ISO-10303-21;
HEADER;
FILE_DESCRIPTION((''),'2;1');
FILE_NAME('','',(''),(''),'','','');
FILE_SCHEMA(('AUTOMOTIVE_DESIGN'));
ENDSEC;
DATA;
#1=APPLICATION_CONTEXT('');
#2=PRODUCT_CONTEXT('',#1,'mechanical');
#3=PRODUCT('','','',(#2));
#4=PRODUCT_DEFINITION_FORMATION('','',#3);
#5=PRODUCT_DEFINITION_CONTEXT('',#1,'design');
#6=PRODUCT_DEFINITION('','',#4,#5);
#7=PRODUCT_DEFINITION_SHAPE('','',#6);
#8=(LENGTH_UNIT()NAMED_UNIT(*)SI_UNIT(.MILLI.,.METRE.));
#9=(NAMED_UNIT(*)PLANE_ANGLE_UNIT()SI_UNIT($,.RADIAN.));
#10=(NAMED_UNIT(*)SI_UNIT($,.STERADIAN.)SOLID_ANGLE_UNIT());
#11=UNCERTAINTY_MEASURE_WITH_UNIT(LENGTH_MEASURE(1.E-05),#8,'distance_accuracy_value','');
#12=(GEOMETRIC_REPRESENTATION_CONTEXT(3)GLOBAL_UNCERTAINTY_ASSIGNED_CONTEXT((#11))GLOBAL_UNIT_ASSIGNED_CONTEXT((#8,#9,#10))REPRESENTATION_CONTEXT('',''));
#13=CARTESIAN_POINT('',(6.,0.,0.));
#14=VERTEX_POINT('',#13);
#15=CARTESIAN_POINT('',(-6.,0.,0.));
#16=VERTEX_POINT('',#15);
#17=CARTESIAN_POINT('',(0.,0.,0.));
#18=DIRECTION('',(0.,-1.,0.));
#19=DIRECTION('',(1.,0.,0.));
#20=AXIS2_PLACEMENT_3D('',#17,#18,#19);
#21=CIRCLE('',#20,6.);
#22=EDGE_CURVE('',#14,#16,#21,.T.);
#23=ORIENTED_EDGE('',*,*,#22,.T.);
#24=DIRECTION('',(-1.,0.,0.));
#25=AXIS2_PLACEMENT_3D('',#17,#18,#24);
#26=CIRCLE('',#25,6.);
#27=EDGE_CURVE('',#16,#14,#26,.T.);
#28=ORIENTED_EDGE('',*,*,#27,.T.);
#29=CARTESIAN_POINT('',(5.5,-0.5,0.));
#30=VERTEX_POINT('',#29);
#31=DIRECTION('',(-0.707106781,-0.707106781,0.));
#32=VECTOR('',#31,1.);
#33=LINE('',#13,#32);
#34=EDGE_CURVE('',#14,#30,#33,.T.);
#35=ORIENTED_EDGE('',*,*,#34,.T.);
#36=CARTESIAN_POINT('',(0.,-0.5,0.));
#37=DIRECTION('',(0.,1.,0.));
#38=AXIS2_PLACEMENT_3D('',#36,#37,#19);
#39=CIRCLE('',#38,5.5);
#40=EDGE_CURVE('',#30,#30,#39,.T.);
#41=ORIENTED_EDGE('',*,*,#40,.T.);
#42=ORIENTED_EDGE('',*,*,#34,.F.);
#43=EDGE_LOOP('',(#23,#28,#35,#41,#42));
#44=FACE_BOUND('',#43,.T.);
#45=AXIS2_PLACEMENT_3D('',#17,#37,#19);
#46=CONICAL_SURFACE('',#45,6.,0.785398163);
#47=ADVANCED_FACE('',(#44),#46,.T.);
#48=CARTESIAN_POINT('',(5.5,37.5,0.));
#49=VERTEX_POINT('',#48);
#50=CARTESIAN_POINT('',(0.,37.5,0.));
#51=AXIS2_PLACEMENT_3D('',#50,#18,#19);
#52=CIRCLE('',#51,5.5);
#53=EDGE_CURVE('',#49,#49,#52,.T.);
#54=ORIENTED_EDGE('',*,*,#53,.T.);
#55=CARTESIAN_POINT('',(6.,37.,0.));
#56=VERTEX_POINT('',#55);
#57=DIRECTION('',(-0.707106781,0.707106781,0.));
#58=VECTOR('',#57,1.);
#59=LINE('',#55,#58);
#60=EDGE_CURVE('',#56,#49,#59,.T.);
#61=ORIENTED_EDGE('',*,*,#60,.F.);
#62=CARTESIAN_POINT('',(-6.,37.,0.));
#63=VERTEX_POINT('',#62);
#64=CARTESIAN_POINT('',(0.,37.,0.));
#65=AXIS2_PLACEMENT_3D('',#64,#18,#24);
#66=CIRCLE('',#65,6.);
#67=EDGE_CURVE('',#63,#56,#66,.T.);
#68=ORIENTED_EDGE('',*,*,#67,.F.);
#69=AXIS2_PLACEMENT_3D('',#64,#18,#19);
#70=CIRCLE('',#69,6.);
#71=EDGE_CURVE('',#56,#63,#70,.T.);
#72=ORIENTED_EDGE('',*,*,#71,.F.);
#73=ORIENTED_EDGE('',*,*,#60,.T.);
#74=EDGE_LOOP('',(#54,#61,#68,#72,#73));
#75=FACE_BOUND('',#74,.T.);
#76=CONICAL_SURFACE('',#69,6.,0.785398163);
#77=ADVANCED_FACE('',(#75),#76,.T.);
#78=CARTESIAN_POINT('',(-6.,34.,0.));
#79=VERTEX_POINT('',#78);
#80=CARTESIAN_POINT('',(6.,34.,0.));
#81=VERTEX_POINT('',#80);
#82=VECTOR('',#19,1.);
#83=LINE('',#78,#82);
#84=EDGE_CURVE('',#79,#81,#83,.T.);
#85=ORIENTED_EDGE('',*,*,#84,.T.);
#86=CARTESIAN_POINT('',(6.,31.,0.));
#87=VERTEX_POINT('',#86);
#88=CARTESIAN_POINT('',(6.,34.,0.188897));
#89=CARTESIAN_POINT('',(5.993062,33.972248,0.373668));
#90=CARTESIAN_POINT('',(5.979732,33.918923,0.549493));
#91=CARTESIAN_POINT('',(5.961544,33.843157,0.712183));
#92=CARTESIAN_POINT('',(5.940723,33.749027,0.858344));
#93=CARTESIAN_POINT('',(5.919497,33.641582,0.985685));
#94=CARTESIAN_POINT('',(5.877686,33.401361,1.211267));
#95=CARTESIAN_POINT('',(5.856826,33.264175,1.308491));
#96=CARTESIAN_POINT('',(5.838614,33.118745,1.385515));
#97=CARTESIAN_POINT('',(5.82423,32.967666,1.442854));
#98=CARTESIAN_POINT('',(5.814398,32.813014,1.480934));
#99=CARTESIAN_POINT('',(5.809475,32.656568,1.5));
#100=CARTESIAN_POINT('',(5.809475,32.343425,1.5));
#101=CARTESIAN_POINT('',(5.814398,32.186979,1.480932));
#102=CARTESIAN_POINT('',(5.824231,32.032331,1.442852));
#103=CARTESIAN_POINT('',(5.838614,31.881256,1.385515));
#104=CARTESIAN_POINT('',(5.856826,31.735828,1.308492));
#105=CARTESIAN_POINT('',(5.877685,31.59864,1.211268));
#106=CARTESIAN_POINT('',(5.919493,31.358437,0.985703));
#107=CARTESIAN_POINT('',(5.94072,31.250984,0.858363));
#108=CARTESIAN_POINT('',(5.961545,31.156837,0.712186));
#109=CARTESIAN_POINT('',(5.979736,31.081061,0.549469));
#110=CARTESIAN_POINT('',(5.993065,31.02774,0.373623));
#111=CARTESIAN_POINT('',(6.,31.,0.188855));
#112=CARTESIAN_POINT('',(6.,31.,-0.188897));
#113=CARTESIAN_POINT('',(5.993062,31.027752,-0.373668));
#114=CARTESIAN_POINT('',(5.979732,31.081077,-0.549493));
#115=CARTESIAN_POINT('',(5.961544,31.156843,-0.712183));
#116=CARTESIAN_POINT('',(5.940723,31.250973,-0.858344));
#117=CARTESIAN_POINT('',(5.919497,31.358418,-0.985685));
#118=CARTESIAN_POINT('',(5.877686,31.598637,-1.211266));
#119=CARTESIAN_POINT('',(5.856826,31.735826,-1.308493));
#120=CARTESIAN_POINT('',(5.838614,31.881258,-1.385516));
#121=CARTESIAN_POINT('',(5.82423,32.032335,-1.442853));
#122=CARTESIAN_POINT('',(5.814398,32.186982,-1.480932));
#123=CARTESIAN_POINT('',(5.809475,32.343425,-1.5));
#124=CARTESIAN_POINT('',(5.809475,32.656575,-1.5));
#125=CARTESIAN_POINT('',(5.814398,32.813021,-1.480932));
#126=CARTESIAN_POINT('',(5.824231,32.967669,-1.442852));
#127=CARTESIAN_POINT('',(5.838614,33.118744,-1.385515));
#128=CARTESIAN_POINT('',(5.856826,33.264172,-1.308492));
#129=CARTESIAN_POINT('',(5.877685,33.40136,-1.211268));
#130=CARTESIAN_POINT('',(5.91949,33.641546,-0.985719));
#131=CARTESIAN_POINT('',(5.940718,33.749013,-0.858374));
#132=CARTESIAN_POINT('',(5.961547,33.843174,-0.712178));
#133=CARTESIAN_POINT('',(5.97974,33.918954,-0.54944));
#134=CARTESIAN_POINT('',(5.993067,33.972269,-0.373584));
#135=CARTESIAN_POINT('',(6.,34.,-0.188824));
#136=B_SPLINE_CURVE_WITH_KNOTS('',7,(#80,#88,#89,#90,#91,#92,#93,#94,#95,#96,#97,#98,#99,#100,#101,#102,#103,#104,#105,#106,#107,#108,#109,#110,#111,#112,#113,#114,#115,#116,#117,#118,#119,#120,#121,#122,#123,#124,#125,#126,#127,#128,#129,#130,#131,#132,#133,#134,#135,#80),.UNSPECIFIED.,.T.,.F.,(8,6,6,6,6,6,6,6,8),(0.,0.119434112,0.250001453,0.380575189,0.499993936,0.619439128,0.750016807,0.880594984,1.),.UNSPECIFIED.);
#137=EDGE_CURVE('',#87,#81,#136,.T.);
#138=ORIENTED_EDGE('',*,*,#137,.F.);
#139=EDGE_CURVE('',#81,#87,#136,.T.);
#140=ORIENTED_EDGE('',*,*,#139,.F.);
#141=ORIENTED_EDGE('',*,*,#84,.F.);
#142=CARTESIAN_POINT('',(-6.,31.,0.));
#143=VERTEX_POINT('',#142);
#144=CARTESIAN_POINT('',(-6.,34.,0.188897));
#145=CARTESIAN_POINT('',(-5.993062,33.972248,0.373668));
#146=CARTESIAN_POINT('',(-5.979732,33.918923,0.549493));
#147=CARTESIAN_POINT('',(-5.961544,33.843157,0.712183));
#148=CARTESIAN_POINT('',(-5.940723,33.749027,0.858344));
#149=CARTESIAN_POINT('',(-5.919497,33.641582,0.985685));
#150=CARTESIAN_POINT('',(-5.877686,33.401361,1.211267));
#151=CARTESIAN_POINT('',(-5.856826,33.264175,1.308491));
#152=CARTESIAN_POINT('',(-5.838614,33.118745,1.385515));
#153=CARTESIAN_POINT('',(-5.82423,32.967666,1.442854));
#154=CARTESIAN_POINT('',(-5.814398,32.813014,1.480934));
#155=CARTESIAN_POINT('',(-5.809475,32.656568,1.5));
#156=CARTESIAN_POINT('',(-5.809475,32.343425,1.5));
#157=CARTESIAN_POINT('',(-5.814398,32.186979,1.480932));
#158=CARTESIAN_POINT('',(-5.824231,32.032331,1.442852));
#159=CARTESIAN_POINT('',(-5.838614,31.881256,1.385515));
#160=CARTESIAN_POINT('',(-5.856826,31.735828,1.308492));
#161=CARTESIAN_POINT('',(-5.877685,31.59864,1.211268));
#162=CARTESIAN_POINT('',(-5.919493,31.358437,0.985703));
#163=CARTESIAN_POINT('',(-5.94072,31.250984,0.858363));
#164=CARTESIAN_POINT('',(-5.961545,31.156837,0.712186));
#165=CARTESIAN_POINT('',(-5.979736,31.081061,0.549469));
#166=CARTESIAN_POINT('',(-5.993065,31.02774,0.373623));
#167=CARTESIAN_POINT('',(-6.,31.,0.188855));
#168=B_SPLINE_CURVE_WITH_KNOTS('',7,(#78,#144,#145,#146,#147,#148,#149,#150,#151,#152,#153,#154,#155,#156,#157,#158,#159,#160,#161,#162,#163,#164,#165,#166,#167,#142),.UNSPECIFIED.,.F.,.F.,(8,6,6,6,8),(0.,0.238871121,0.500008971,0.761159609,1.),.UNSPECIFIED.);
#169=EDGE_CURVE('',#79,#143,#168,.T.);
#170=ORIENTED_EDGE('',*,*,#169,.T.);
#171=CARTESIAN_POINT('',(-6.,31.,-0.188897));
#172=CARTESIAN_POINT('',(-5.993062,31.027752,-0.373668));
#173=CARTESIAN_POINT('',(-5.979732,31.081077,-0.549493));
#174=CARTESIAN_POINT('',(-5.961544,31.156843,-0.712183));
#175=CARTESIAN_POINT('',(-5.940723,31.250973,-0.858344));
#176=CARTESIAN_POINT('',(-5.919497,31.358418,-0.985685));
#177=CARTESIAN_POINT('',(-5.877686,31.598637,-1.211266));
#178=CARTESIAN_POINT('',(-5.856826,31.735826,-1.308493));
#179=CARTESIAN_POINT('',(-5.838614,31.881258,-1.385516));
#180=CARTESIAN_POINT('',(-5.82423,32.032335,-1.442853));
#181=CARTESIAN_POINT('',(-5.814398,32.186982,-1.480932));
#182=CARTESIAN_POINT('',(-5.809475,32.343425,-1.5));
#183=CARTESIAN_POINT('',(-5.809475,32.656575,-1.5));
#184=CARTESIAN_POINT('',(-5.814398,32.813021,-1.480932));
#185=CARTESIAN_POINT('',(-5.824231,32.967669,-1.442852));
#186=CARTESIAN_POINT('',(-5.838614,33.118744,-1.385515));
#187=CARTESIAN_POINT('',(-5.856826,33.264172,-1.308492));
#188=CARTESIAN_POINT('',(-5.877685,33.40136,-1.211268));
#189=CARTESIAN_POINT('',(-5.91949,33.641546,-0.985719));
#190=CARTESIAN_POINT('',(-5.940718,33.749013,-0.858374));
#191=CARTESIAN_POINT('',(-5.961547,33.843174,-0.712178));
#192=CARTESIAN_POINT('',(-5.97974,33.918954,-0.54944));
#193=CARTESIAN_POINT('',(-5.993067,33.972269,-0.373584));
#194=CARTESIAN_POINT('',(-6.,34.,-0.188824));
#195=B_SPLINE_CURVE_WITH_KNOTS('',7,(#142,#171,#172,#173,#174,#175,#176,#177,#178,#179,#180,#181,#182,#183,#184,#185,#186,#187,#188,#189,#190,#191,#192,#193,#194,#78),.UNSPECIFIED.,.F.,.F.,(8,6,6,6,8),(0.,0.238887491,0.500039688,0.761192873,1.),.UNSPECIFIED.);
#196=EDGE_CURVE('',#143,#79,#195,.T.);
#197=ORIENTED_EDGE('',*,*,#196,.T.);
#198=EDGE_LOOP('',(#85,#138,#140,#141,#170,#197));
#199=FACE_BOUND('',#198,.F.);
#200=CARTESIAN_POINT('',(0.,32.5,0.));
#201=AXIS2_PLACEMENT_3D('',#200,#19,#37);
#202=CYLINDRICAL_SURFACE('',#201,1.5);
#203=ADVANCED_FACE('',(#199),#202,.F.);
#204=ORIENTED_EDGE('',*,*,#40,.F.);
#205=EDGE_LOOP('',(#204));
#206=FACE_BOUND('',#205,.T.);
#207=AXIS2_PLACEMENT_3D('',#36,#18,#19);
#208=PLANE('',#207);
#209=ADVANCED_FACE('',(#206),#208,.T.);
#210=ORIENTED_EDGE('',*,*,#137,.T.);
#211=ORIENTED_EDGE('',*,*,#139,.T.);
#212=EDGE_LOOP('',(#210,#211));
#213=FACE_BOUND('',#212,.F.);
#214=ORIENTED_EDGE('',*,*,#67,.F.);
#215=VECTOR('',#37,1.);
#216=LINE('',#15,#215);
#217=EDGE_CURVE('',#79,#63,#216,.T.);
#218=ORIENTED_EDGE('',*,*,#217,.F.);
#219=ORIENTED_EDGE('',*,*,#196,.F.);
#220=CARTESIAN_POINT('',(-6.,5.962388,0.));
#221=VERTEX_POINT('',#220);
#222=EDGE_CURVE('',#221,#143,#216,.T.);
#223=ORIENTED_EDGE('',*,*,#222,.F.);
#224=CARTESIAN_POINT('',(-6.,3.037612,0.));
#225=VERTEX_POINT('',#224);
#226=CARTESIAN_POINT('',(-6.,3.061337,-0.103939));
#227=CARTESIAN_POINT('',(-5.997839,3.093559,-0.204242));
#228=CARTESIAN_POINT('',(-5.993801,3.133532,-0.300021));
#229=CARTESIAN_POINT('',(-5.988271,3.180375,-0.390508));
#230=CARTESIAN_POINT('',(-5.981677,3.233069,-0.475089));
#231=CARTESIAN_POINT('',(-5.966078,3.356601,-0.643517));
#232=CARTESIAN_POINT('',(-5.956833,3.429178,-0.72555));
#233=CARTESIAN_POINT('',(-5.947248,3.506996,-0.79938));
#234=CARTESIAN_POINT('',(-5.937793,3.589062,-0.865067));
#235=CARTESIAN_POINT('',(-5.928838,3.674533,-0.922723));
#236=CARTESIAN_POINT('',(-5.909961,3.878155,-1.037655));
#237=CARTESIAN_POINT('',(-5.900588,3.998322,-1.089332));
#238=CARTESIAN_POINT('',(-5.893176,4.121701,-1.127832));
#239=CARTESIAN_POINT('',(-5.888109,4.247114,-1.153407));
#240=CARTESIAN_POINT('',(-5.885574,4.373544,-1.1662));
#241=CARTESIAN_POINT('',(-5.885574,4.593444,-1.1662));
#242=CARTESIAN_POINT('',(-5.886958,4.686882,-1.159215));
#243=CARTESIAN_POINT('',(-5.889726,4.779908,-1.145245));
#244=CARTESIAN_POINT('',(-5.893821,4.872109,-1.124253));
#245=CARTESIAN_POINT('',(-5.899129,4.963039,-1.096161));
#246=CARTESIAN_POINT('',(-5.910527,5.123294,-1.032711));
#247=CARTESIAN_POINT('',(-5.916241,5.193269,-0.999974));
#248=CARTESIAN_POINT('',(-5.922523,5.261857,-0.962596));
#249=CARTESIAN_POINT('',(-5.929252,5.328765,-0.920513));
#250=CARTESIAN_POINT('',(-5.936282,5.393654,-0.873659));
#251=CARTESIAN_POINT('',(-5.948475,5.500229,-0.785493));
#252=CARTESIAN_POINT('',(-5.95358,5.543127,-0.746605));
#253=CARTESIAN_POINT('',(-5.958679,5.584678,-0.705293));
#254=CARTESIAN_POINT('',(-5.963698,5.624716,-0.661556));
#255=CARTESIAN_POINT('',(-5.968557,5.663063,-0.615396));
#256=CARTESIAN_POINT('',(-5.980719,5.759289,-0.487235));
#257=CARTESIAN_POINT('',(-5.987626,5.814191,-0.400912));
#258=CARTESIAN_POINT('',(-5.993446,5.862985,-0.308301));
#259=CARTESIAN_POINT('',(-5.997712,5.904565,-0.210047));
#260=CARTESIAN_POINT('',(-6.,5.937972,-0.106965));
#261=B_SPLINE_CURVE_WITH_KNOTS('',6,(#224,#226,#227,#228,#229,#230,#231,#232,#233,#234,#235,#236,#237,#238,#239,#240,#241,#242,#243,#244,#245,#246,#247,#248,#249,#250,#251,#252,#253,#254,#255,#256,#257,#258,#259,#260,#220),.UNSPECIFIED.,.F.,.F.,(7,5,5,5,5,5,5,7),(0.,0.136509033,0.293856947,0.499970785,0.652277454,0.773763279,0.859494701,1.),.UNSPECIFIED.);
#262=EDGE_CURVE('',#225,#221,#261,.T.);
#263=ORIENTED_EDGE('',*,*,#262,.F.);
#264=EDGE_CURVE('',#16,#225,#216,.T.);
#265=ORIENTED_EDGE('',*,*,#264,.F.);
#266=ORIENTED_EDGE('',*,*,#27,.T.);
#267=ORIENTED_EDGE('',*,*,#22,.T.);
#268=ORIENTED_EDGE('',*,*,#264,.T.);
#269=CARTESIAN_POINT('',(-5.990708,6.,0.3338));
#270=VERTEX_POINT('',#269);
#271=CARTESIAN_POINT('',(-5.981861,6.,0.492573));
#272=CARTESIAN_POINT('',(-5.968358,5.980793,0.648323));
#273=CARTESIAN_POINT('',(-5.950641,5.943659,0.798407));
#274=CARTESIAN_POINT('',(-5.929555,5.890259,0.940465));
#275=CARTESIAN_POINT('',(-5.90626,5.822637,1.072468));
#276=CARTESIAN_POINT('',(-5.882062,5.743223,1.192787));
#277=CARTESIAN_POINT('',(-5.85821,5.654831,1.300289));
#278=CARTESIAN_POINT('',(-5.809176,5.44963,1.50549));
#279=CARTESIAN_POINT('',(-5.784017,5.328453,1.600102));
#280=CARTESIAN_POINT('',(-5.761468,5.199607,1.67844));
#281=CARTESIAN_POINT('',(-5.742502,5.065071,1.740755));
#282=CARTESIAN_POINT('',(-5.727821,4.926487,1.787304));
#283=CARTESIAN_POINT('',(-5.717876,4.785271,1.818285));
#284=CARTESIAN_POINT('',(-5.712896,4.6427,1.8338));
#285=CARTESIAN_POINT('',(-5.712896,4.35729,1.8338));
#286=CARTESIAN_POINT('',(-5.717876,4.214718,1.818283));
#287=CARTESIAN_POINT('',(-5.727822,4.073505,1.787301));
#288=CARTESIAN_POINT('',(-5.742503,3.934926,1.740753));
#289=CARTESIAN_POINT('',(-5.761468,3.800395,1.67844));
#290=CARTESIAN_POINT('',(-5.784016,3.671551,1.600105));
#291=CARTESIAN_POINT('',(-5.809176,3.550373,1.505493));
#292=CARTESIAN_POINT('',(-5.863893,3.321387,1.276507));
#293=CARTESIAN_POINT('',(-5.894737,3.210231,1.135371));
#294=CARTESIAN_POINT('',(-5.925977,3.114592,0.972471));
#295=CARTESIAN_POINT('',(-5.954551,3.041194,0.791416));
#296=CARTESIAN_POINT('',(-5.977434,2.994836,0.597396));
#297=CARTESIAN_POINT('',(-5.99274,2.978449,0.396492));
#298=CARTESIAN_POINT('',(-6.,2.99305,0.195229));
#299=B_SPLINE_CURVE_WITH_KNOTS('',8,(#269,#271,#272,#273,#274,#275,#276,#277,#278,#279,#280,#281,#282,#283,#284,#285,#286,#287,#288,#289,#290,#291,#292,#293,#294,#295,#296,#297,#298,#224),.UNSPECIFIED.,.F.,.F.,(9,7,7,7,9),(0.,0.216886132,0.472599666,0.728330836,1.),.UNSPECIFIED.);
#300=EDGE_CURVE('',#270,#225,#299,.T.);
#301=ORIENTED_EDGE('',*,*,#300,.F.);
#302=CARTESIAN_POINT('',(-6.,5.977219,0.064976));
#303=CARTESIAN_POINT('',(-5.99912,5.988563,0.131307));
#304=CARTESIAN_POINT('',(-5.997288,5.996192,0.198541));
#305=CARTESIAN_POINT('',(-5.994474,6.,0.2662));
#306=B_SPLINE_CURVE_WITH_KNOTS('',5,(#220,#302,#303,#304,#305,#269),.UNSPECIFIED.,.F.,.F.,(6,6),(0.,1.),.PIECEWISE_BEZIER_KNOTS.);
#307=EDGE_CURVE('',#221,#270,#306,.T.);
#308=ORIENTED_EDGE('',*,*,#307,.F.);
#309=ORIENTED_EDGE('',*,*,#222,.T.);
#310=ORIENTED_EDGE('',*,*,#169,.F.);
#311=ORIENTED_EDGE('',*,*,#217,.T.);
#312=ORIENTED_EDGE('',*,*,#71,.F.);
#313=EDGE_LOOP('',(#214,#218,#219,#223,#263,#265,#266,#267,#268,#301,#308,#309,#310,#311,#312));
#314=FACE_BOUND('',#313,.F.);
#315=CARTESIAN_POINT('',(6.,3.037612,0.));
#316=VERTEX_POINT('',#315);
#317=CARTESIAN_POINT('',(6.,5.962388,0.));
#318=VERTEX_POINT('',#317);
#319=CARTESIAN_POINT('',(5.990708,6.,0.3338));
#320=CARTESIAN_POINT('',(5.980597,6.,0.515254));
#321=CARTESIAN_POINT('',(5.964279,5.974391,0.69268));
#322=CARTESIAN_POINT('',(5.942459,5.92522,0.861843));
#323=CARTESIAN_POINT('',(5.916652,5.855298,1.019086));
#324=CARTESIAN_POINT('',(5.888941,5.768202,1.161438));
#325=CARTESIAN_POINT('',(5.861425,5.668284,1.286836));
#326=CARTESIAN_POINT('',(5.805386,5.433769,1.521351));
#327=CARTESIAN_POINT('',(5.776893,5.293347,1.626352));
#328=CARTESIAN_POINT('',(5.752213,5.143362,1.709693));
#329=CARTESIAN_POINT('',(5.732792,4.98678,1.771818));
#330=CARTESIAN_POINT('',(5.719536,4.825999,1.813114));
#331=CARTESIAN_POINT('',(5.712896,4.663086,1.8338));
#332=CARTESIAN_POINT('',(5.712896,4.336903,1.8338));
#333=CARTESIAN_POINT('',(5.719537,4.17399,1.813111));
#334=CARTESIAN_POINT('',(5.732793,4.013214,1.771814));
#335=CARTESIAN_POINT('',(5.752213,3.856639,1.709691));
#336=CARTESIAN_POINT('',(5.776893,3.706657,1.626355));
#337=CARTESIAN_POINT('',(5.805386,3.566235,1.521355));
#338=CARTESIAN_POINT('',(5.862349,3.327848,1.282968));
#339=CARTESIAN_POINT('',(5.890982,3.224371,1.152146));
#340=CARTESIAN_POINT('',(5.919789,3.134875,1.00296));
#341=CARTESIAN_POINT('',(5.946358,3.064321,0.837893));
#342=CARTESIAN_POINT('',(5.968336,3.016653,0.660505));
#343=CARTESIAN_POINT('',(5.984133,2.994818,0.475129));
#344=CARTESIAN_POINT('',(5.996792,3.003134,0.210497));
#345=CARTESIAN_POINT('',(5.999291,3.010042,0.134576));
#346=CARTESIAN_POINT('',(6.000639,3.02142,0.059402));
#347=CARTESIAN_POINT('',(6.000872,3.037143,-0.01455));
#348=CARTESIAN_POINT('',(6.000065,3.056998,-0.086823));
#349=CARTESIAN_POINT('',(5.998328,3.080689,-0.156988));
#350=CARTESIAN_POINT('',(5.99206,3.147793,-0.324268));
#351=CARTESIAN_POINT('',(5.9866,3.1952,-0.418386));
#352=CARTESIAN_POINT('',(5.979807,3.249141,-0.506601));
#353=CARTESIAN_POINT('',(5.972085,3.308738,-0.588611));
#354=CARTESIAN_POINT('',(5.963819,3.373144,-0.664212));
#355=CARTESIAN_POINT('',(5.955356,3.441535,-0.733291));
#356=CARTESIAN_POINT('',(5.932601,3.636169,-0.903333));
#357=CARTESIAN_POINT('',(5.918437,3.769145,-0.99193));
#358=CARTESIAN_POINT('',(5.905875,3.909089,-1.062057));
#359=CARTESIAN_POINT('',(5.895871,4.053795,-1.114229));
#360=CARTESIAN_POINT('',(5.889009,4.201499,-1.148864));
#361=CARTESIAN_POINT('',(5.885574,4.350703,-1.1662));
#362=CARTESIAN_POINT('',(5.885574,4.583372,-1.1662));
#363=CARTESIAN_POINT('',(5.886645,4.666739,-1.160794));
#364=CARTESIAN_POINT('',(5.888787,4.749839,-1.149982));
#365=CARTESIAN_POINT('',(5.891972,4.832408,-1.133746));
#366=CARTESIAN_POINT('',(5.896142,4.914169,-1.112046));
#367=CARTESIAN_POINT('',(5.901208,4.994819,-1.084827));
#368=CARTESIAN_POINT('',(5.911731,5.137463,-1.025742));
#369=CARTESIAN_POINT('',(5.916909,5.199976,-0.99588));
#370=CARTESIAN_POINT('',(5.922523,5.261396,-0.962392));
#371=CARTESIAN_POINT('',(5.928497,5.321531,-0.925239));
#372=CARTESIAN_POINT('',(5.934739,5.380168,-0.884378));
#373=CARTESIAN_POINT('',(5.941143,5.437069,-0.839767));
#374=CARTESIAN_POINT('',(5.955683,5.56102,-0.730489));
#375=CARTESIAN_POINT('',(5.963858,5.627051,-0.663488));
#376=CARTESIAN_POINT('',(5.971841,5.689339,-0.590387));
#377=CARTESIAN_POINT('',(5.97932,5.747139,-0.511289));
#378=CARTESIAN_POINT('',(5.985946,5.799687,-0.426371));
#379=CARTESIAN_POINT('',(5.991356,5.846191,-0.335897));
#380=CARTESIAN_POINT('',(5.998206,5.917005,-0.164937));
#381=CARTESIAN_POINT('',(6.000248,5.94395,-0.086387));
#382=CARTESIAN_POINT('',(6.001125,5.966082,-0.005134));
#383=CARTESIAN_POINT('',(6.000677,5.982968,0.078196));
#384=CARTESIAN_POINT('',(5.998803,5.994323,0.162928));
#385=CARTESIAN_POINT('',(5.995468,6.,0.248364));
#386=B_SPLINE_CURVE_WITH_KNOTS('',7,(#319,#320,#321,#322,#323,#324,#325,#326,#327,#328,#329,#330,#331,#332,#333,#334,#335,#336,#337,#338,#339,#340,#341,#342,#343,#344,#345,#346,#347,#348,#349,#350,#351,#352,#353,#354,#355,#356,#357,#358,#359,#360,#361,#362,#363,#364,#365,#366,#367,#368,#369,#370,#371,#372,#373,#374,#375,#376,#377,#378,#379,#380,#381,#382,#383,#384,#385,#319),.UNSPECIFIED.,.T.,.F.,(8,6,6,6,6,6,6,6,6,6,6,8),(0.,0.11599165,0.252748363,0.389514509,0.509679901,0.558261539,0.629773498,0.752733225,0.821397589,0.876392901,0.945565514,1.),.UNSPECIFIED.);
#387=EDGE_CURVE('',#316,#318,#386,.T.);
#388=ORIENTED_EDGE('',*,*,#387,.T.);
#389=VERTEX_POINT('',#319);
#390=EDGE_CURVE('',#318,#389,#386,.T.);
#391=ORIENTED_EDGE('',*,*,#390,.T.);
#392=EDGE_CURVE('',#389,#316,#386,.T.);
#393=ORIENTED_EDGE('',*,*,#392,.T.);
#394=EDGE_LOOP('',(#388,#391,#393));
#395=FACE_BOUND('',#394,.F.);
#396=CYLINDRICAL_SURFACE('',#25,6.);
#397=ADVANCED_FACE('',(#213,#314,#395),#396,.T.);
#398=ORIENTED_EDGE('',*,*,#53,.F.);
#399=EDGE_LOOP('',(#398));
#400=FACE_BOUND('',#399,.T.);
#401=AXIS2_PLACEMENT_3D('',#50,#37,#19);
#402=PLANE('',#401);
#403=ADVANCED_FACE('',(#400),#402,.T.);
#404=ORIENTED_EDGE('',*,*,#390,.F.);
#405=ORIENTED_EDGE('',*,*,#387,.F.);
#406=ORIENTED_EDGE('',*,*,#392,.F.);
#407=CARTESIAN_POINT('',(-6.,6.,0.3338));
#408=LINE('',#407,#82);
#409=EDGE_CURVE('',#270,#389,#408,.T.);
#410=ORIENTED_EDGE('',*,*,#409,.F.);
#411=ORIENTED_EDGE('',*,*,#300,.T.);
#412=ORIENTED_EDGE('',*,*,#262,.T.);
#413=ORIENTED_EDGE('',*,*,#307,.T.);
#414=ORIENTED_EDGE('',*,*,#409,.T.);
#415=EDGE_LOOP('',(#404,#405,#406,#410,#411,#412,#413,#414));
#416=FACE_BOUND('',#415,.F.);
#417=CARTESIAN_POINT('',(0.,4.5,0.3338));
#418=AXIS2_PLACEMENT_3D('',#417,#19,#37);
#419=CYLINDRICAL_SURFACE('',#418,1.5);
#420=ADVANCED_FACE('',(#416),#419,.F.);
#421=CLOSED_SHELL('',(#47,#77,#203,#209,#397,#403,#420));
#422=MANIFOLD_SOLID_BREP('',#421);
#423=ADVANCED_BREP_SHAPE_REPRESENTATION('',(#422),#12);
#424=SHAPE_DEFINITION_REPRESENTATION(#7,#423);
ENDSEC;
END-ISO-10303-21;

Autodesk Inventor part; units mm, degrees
ref_plane "YZ Plane" through (0, 0, 0) normal (1, 0, 0) x (0, 1, 0)
ref_plane "XZ Plane" through (0, 0, 0) normal (0, 1, 0) x (-1, 0, 0)
ref_plane "XY Plane" through (0, 0, 0) normal (0, 0, 1) x (1, 0, 0)
sketch "Sketch1" plane through (0, 0, 0) normal (0, 1, 0) x (-1, 0, 0)
  circle A0 centre (0, 0) radius 6
  dimension "d0" = 12
extrude "Extrusion1" add sketch "Sketch1" along normal blind 37
sketch "Sketch2" plane through (0, 37, 0) normal (0, 1, 0) x (1, 0, 0)
  circle A0 centre (0, 0) radius 6
  dimension "d3" = 12
extrude "Extrusion2" add sketch "Sketch2" along normal blind 0.5 draft -45
sketch "Sketch3" plane through (0, 0, 0) normal (0, -1, 0) x (1, 0, 0)
  circle A0 centre (0, 0) radius 6
  dimension "d6" = 12
extrude "Extrusion3" add sketch "Sketch3" along normal blind 0.5 draft -45
sketch "Sketch5" plane through (0, 0, 0) normal (0, 1, 0) x (-1, 0, 0)
  point P0 (0, 0)
sketch "Sketch7" plane through (0, 0, 0) normal (1, 0, 0) x (0, 1, 0)
  circle A0 centre (4.5, 0.3338) radius 1.5
  point P0 (0, 0)
  dimension "d15" = 3
extrude "Extrusion6" cut sketch "Sketch7" against normal mid plane 12
sketch "Sketch8" plane through (0, 0, 0) normal (1, 0, 0) x (0, 1, 0)
  circle A0 centre (32.5, 0) radius 1.5
  point P0 (0, 0)
  dimension "d18" = 3
extrude "Extrusion7" cut sketch "Sketch8" against normal mid plane 12
properties part number "crankshaft pin" material "Stainless Steel"
